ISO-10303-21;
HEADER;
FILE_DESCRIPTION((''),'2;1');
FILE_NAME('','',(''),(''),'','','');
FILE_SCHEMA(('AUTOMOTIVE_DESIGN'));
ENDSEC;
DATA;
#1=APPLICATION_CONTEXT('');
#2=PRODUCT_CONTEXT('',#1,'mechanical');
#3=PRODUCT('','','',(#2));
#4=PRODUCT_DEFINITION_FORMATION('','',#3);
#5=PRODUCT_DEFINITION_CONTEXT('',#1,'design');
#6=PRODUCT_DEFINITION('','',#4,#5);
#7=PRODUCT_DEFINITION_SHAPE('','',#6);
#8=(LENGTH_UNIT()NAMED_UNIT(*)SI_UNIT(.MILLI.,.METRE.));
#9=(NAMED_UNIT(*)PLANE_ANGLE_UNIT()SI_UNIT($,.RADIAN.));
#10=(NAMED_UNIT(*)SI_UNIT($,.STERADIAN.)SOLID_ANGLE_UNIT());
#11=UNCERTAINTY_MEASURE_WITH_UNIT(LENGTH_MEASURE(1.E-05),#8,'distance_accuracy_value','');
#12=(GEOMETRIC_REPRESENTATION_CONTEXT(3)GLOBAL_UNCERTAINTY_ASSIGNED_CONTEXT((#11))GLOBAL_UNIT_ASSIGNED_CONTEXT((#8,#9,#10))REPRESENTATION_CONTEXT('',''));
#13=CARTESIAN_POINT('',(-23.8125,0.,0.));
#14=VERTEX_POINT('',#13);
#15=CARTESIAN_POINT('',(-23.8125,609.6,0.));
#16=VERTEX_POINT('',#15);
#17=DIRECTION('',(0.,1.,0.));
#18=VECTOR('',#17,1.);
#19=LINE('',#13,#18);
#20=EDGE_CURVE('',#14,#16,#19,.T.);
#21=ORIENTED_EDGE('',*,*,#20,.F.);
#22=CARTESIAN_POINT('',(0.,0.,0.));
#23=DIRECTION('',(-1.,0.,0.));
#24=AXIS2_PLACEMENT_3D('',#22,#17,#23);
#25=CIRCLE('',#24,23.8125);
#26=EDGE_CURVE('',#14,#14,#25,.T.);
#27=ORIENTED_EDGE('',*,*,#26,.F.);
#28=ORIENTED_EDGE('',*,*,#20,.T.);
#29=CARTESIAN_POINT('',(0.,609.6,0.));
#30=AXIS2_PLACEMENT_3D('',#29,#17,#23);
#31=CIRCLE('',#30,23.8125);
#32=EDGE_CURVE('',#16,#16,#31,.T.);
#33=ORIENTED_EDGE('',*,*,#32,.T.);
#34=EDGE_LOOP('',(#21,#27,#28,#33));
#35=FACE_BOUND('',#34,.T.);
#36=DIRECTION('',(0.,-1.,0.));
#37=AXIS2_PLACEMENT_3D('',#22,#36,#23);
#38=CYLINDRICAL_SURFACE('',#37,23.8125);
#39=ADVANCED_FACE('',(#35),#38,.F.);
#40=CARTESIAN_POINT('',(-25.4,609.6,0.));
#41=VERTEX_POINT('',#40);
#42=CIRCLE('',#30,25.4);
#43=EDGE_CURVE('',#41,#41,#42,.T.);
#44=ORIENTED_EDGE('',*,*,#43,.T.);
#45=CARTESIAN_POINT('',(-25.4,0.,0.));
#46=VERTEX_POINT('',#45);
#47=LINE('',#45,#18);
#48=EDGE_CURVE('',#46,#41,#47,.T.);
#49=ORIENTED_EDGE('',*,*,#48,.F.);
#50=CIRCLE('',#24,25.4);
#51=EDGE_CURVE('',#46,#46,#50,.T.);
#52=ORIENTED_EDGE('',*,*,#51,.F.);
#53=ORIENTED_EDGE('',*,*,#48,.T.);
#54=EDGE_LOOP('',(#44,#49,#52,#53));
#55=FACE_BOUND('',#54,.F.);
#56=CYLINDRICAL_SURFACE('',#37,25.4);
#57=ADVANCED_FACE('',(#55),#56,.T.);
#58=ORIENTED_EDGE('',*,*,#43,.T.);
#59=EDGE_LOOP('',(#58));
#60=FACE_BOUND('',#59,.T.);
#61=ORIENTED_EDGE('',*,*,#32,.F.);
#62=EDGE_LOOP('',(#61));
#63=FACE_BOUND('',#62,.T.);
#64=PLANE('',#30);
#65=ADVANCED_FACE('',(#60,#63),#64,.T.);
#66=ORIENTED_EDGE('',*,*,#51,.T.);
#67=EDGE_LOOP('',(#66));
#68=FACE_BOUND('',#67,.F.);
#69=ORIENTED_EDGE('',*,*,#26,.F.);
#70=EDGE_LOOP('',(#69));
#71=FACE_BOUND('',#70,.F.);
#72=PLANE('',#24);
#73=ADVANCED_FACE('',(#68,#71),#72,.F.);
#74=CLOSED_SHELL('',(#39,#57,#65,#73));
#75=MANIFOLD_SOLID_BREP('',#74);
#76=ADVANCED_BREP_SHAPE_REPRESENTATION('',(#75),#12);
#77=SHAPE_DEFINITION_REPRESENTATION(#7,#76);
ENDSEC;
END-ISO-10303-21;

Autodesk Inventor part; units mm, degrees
ref_plane "YZ Plane" through (0, 0, 0) normal (1, 0, 0) x (0, 1, 0)
ref_plane "XZ Plane" through (0, 0, 0) normal (0, 1, 0) x (-1, 0, 0)
ref_plane "XY Plane" through (0, 0, 0) normal (0, 0, 1) x (1, 0, 0)
sketch "Sketch1" plane through (0, 0, 0) normal (0, 1, 0) x (-1, 0, 0)
  circle A0 centre (0, 0) radius 23.8125
  circle A1 centre (0, 0) radius 25.4
  dimension "d0" = 50.8
  dimension "d1" = 47.625
extrude "Extrusion1" add sketch "Sketch1" along normal blind 609.6
properties part number "casing" material "Aluminum 6061"
